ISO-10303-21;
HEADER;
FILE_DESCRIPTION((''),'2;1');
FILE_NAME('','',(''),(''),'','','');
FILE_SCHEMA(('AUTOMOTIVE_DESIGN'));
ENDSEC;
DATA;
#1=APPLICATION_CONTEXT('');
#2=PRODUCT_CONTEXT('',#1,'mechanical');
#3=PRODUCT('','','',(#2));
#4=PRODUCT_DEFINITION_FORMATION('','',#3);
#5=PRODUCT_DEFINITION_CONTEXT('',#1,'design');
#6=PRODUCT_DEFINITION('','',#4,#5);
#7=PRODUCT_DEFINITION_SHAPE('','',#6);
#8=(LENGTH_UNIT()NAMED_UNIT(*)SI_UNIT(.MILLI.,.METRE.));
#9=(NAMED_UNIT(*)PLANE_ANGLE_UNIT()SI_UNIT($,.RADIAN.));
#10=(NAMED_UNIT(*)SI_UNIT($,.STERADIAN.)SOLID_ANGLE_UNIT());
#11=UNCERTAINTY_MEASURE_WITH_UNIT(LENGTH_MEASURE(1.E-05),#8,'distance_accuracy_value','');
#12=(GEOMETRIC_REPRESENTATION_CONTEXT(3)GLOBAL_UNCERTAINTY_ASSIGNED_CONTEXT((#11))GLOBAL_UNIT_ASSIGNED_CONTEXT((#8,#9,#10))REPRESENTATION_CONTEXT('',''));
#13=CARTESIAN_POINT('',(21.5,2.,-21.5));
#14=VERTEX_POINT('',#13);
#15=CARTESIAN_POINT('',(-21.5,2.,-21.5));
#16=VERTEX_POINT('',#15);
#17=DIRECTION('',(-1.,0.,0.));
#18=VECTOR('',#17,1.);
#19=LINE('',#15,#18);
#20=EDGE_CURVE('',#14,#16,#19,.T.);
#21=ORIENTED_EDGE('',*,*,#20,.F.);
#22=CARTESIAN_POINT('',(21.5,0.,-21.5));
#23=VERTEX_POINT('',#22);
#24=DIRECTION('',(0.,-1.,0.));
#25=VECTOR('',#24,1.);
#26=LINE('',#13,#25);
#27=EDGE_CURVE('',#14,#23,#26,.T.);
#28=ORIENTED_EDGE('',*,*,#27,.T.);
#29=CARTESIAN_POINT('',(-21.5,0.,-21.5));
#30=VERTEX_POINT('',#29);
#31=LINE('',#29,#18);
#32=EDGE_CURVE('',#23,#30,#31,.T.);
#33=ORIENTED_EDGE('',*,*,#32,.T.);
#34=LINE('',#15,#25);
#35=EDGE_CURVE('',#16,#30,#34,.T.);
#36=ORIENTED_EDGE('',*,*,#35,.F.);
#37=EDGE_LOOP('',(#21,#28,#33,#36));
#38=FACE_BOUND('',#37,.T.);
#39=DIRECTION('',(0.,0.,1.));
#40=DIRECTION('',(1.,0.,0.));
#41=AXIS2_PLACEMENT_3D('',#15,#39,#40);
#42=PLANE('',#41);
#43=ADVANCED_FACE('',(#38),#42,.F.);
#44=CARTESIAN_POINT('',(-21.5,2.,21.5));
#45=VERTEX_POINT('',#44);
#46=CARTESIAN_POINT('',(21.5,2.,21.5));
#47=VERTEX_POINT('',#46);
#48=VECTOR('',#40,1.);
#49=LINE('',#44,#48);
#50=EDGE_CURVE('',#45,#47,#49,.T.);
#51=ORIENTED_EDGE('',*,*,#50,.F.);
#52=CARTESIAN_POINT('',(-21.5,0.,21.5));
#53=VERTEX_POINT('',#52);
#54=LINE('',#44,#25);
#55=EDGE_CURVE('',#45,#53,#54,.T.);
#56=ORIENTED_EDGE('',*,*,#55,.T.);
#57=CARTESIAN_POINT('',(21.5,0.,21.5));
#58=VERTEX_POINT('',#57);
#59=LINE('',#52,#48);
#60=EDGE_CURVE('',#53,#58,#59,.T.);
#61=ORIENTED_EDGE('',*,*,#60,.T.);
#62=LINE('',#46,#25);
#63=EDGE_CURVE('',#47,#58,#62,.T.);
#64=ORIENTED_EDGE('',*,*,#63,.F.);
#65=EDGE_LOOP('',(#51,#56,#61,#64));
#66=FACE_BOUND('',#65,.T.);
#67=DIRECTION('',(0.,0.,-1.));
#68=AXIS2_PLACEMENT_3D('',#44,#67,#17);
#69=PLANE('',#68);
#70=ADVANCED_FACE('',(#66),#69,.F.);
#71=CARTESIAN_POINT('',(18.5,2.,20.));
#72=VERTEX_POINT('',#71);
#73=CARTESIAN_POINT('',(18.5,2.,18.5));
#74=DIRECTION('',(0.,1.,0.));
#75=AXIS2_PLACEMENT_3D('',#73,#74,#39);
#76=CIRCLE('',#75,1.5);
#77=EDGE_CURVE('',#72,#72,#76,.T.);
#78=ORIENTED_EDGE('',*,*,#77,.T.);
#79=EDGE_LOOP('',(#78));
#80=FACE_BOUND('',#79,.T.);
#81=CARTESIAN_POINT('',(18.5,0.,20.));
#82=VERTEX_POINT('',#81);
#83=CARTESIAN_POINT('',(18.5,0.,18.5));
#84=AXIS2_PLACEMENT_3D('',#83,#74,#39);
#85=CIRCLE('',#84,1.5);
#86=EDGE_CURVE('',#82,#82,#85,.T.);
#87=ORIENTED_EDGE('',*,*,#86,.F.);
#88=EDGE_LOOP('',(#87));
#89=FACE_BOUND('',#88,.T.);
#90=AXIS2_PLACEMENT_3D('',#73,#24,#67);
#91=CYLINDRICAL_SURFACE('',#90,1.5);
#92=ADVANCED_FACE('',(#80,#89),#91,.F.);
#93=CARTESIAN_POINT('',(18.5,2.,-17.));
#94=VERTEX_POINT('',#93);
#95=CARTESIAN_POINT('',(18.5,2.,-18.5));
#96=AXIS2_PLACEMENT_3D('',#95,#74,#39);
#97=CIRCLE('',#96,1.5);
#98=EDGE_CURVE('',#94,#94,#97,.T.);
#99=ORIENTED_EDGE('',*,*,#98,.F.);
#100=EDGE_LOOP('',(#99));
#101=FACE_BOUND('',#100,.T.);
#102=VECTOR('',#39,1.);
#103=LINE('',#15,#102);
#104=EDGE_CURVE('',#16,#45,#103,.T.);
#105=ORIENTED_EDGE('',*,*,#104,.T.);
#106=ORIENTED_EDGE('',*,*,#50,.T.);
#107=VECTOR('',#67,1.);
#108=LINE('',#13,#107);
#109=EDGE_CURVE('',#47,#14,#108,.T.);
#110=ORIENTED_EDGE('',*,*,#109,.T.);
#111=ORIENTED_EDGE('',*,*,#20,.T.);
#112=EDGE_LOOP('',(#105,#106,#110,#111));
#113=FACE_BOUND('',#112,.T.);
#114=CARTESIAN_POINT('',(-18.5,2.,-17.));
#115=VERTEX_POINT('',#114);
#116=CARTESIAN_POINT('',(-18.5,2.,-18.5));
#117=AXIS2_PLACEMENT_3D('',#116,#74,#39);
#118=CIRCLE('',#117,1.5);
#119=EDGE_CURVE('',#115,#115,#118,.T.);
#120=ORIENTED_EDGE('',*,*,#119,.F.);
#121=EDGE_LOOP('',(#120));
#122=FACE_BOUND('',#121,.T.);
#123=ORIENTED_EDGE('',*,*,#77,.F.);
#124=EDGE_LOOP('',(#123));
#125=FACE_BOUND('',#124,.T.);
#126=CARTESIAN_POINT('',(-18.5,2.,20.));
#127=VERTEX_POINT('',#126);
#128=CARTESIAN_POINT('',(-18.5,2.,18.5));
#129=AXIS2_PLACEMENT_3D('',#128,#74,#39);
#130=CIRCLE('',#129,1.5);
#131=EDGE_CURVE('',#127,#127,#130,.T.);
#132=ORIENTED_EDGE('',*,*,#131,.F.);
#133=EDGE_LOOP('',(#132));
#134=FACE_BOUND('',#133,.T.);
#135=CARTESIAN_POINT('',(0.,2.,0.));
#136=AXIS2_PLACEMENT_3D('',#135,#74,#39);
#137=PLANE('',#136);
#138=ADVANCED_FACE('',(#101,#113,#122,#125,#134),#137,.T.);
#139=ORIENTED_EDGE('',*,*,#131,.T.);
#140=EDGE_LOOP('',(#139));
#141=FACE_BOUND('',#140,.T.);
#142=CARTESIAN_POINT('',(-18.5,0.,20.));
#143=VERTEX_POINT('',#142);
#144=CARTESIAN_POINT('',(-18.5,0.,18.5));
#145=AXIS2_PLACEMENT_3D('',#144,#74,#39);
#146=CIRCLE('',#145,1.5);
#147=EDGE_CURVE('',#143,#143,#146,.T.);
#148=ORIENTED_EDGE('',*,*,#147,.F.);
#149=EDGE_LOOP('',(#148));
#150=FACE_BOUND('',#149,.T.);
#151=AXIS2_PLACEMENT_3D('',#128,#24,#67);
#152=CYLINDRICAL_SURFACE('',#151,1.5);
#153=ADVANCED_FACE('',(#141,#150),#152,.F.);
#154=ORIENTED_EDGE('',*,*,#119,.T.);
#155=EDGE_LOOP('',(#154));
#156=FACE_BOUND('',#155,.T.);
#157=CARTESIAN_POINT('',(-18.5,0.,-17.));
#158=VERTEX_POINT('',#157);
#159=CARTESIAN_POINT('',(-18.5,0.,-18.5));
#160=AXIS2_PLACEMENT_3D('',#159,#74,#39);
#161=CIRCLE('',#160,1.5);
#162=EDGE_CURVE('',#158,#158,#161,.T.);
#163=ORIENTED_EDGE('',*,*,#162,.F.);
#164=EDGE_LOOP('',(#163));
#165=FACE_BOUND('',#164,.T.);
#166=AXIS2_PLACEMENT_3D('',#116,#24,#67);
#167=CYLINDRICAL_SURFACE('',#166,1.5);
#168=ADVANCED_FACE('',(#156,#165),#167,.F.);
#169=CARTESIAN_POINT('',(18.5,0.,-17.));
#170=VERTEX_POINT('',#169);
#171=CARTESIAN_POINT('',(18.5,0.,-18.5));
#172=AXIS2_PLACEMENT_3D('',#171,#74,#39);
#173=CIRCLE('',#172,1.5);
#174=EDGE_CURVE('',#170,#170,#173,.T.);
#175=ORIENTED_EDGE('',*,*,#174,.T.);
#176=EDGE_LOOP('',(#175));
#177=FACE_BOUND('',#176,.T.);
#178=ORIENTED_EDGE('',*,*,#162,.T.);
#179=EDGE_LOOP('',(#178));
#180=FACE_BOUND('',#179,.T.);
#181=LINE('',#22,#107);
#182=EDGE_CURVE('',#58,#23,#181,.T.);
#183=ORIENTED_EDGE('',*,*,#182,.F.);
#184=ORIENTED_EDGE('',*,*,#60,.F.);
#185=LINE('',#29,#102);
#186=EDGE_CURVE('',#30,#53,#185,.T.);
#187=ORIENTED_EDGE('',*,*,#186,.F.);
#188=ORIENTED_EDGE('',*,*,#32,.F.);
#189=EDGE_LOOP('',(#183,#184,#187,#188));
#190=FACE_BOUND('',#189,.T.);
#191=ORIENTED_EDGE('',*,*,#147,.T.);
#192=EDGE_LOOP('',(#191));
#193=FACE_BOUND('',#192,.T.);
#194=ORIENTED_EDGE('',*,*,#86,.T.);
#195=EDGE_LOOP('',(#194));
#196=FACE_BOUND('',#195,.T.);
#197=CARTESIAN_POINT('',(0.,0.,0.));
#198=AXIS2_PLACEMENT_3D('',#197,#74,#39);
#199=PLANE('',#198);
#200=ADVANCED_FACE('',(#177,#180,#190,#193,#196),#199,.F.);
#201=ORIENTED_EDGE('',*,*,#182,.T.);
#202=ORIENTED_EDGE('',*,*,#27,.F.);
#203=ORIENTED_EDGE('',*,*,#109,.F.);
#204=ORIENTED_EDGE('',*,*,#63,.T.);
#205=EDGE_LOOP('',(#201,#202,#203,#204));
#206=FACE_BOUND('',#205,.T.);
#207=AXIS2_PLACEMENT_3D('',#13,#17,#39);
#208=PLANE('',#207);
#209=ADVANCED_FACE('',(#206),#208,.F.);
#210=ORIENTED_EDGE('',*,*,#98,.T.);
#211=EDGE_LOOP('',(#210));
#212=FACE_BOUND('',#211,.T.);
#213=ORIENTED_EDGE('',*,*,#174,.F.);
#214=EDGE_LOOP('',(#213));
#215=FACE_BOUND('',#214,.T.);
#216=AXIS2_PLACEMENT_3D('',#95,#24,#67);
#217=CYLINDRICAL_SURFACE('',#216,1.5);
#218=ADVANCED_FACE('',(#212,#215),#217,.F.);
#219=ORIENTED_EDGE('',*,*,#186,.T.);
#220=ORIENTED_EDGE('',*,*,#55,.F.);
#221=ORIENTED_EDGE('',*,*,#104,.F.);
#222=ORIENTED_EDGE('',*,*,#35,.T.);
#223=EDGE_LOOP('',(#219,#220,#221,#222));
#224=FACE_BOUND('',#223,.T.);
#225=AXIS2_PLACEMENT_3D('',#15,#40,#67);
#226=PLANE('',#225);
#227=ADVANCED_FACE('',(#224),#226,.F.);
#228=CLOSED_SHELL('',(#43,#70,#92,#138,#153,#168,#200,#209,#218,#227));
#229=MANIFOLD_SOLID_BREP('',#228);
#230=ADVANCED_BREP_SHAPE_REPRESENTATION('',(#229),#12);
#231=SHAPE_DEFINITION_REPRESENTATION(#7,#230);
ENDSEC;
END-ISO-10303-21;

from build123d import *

# Parameters (mm, degrees)
SKETCH_2_W      = 43
SKETCH_2_H      = 43
SKETCH_2_R      = 1.5
EXTRUDE_1_DEPTH = 2


with BuildPart() as part:
    # 草图2 → 凸台-拉伸1 (new body)
    with BuildSketch(Plane(origin=(0, 0, 0), x_dir=(1, 0, 0), z_dir=(0, 1, 0))):
        Rectangle(SKETCH_2_W, SKETCH_2_H)
        with Locations(Location((-18.5, 18.5, 0), (0, 0, 270))):
            Circle(SKETCH_2_R, mode=Mode.SUBTRACT)
        with Locations(Location((-18.5, -18.5, 0), (0, 0, 270))):
            Circle(SKETCH_2_R, mode=Mode.SUBTRACT)
        with Locations(Location((18.5, 18.5, 0), (0, 0, 270))):
            Circle(SKETCH_2_R, mode=Mode.SUBTRACT)
        with Locations(Location((18.5, -18.5, 0), (0, 0, 270))):
            Circle(SKETCH_2_R, mode=Mode.SUBTRACT)
    extrude(amount=EXTRUDE_1_DEPTH)


solid = part.part
